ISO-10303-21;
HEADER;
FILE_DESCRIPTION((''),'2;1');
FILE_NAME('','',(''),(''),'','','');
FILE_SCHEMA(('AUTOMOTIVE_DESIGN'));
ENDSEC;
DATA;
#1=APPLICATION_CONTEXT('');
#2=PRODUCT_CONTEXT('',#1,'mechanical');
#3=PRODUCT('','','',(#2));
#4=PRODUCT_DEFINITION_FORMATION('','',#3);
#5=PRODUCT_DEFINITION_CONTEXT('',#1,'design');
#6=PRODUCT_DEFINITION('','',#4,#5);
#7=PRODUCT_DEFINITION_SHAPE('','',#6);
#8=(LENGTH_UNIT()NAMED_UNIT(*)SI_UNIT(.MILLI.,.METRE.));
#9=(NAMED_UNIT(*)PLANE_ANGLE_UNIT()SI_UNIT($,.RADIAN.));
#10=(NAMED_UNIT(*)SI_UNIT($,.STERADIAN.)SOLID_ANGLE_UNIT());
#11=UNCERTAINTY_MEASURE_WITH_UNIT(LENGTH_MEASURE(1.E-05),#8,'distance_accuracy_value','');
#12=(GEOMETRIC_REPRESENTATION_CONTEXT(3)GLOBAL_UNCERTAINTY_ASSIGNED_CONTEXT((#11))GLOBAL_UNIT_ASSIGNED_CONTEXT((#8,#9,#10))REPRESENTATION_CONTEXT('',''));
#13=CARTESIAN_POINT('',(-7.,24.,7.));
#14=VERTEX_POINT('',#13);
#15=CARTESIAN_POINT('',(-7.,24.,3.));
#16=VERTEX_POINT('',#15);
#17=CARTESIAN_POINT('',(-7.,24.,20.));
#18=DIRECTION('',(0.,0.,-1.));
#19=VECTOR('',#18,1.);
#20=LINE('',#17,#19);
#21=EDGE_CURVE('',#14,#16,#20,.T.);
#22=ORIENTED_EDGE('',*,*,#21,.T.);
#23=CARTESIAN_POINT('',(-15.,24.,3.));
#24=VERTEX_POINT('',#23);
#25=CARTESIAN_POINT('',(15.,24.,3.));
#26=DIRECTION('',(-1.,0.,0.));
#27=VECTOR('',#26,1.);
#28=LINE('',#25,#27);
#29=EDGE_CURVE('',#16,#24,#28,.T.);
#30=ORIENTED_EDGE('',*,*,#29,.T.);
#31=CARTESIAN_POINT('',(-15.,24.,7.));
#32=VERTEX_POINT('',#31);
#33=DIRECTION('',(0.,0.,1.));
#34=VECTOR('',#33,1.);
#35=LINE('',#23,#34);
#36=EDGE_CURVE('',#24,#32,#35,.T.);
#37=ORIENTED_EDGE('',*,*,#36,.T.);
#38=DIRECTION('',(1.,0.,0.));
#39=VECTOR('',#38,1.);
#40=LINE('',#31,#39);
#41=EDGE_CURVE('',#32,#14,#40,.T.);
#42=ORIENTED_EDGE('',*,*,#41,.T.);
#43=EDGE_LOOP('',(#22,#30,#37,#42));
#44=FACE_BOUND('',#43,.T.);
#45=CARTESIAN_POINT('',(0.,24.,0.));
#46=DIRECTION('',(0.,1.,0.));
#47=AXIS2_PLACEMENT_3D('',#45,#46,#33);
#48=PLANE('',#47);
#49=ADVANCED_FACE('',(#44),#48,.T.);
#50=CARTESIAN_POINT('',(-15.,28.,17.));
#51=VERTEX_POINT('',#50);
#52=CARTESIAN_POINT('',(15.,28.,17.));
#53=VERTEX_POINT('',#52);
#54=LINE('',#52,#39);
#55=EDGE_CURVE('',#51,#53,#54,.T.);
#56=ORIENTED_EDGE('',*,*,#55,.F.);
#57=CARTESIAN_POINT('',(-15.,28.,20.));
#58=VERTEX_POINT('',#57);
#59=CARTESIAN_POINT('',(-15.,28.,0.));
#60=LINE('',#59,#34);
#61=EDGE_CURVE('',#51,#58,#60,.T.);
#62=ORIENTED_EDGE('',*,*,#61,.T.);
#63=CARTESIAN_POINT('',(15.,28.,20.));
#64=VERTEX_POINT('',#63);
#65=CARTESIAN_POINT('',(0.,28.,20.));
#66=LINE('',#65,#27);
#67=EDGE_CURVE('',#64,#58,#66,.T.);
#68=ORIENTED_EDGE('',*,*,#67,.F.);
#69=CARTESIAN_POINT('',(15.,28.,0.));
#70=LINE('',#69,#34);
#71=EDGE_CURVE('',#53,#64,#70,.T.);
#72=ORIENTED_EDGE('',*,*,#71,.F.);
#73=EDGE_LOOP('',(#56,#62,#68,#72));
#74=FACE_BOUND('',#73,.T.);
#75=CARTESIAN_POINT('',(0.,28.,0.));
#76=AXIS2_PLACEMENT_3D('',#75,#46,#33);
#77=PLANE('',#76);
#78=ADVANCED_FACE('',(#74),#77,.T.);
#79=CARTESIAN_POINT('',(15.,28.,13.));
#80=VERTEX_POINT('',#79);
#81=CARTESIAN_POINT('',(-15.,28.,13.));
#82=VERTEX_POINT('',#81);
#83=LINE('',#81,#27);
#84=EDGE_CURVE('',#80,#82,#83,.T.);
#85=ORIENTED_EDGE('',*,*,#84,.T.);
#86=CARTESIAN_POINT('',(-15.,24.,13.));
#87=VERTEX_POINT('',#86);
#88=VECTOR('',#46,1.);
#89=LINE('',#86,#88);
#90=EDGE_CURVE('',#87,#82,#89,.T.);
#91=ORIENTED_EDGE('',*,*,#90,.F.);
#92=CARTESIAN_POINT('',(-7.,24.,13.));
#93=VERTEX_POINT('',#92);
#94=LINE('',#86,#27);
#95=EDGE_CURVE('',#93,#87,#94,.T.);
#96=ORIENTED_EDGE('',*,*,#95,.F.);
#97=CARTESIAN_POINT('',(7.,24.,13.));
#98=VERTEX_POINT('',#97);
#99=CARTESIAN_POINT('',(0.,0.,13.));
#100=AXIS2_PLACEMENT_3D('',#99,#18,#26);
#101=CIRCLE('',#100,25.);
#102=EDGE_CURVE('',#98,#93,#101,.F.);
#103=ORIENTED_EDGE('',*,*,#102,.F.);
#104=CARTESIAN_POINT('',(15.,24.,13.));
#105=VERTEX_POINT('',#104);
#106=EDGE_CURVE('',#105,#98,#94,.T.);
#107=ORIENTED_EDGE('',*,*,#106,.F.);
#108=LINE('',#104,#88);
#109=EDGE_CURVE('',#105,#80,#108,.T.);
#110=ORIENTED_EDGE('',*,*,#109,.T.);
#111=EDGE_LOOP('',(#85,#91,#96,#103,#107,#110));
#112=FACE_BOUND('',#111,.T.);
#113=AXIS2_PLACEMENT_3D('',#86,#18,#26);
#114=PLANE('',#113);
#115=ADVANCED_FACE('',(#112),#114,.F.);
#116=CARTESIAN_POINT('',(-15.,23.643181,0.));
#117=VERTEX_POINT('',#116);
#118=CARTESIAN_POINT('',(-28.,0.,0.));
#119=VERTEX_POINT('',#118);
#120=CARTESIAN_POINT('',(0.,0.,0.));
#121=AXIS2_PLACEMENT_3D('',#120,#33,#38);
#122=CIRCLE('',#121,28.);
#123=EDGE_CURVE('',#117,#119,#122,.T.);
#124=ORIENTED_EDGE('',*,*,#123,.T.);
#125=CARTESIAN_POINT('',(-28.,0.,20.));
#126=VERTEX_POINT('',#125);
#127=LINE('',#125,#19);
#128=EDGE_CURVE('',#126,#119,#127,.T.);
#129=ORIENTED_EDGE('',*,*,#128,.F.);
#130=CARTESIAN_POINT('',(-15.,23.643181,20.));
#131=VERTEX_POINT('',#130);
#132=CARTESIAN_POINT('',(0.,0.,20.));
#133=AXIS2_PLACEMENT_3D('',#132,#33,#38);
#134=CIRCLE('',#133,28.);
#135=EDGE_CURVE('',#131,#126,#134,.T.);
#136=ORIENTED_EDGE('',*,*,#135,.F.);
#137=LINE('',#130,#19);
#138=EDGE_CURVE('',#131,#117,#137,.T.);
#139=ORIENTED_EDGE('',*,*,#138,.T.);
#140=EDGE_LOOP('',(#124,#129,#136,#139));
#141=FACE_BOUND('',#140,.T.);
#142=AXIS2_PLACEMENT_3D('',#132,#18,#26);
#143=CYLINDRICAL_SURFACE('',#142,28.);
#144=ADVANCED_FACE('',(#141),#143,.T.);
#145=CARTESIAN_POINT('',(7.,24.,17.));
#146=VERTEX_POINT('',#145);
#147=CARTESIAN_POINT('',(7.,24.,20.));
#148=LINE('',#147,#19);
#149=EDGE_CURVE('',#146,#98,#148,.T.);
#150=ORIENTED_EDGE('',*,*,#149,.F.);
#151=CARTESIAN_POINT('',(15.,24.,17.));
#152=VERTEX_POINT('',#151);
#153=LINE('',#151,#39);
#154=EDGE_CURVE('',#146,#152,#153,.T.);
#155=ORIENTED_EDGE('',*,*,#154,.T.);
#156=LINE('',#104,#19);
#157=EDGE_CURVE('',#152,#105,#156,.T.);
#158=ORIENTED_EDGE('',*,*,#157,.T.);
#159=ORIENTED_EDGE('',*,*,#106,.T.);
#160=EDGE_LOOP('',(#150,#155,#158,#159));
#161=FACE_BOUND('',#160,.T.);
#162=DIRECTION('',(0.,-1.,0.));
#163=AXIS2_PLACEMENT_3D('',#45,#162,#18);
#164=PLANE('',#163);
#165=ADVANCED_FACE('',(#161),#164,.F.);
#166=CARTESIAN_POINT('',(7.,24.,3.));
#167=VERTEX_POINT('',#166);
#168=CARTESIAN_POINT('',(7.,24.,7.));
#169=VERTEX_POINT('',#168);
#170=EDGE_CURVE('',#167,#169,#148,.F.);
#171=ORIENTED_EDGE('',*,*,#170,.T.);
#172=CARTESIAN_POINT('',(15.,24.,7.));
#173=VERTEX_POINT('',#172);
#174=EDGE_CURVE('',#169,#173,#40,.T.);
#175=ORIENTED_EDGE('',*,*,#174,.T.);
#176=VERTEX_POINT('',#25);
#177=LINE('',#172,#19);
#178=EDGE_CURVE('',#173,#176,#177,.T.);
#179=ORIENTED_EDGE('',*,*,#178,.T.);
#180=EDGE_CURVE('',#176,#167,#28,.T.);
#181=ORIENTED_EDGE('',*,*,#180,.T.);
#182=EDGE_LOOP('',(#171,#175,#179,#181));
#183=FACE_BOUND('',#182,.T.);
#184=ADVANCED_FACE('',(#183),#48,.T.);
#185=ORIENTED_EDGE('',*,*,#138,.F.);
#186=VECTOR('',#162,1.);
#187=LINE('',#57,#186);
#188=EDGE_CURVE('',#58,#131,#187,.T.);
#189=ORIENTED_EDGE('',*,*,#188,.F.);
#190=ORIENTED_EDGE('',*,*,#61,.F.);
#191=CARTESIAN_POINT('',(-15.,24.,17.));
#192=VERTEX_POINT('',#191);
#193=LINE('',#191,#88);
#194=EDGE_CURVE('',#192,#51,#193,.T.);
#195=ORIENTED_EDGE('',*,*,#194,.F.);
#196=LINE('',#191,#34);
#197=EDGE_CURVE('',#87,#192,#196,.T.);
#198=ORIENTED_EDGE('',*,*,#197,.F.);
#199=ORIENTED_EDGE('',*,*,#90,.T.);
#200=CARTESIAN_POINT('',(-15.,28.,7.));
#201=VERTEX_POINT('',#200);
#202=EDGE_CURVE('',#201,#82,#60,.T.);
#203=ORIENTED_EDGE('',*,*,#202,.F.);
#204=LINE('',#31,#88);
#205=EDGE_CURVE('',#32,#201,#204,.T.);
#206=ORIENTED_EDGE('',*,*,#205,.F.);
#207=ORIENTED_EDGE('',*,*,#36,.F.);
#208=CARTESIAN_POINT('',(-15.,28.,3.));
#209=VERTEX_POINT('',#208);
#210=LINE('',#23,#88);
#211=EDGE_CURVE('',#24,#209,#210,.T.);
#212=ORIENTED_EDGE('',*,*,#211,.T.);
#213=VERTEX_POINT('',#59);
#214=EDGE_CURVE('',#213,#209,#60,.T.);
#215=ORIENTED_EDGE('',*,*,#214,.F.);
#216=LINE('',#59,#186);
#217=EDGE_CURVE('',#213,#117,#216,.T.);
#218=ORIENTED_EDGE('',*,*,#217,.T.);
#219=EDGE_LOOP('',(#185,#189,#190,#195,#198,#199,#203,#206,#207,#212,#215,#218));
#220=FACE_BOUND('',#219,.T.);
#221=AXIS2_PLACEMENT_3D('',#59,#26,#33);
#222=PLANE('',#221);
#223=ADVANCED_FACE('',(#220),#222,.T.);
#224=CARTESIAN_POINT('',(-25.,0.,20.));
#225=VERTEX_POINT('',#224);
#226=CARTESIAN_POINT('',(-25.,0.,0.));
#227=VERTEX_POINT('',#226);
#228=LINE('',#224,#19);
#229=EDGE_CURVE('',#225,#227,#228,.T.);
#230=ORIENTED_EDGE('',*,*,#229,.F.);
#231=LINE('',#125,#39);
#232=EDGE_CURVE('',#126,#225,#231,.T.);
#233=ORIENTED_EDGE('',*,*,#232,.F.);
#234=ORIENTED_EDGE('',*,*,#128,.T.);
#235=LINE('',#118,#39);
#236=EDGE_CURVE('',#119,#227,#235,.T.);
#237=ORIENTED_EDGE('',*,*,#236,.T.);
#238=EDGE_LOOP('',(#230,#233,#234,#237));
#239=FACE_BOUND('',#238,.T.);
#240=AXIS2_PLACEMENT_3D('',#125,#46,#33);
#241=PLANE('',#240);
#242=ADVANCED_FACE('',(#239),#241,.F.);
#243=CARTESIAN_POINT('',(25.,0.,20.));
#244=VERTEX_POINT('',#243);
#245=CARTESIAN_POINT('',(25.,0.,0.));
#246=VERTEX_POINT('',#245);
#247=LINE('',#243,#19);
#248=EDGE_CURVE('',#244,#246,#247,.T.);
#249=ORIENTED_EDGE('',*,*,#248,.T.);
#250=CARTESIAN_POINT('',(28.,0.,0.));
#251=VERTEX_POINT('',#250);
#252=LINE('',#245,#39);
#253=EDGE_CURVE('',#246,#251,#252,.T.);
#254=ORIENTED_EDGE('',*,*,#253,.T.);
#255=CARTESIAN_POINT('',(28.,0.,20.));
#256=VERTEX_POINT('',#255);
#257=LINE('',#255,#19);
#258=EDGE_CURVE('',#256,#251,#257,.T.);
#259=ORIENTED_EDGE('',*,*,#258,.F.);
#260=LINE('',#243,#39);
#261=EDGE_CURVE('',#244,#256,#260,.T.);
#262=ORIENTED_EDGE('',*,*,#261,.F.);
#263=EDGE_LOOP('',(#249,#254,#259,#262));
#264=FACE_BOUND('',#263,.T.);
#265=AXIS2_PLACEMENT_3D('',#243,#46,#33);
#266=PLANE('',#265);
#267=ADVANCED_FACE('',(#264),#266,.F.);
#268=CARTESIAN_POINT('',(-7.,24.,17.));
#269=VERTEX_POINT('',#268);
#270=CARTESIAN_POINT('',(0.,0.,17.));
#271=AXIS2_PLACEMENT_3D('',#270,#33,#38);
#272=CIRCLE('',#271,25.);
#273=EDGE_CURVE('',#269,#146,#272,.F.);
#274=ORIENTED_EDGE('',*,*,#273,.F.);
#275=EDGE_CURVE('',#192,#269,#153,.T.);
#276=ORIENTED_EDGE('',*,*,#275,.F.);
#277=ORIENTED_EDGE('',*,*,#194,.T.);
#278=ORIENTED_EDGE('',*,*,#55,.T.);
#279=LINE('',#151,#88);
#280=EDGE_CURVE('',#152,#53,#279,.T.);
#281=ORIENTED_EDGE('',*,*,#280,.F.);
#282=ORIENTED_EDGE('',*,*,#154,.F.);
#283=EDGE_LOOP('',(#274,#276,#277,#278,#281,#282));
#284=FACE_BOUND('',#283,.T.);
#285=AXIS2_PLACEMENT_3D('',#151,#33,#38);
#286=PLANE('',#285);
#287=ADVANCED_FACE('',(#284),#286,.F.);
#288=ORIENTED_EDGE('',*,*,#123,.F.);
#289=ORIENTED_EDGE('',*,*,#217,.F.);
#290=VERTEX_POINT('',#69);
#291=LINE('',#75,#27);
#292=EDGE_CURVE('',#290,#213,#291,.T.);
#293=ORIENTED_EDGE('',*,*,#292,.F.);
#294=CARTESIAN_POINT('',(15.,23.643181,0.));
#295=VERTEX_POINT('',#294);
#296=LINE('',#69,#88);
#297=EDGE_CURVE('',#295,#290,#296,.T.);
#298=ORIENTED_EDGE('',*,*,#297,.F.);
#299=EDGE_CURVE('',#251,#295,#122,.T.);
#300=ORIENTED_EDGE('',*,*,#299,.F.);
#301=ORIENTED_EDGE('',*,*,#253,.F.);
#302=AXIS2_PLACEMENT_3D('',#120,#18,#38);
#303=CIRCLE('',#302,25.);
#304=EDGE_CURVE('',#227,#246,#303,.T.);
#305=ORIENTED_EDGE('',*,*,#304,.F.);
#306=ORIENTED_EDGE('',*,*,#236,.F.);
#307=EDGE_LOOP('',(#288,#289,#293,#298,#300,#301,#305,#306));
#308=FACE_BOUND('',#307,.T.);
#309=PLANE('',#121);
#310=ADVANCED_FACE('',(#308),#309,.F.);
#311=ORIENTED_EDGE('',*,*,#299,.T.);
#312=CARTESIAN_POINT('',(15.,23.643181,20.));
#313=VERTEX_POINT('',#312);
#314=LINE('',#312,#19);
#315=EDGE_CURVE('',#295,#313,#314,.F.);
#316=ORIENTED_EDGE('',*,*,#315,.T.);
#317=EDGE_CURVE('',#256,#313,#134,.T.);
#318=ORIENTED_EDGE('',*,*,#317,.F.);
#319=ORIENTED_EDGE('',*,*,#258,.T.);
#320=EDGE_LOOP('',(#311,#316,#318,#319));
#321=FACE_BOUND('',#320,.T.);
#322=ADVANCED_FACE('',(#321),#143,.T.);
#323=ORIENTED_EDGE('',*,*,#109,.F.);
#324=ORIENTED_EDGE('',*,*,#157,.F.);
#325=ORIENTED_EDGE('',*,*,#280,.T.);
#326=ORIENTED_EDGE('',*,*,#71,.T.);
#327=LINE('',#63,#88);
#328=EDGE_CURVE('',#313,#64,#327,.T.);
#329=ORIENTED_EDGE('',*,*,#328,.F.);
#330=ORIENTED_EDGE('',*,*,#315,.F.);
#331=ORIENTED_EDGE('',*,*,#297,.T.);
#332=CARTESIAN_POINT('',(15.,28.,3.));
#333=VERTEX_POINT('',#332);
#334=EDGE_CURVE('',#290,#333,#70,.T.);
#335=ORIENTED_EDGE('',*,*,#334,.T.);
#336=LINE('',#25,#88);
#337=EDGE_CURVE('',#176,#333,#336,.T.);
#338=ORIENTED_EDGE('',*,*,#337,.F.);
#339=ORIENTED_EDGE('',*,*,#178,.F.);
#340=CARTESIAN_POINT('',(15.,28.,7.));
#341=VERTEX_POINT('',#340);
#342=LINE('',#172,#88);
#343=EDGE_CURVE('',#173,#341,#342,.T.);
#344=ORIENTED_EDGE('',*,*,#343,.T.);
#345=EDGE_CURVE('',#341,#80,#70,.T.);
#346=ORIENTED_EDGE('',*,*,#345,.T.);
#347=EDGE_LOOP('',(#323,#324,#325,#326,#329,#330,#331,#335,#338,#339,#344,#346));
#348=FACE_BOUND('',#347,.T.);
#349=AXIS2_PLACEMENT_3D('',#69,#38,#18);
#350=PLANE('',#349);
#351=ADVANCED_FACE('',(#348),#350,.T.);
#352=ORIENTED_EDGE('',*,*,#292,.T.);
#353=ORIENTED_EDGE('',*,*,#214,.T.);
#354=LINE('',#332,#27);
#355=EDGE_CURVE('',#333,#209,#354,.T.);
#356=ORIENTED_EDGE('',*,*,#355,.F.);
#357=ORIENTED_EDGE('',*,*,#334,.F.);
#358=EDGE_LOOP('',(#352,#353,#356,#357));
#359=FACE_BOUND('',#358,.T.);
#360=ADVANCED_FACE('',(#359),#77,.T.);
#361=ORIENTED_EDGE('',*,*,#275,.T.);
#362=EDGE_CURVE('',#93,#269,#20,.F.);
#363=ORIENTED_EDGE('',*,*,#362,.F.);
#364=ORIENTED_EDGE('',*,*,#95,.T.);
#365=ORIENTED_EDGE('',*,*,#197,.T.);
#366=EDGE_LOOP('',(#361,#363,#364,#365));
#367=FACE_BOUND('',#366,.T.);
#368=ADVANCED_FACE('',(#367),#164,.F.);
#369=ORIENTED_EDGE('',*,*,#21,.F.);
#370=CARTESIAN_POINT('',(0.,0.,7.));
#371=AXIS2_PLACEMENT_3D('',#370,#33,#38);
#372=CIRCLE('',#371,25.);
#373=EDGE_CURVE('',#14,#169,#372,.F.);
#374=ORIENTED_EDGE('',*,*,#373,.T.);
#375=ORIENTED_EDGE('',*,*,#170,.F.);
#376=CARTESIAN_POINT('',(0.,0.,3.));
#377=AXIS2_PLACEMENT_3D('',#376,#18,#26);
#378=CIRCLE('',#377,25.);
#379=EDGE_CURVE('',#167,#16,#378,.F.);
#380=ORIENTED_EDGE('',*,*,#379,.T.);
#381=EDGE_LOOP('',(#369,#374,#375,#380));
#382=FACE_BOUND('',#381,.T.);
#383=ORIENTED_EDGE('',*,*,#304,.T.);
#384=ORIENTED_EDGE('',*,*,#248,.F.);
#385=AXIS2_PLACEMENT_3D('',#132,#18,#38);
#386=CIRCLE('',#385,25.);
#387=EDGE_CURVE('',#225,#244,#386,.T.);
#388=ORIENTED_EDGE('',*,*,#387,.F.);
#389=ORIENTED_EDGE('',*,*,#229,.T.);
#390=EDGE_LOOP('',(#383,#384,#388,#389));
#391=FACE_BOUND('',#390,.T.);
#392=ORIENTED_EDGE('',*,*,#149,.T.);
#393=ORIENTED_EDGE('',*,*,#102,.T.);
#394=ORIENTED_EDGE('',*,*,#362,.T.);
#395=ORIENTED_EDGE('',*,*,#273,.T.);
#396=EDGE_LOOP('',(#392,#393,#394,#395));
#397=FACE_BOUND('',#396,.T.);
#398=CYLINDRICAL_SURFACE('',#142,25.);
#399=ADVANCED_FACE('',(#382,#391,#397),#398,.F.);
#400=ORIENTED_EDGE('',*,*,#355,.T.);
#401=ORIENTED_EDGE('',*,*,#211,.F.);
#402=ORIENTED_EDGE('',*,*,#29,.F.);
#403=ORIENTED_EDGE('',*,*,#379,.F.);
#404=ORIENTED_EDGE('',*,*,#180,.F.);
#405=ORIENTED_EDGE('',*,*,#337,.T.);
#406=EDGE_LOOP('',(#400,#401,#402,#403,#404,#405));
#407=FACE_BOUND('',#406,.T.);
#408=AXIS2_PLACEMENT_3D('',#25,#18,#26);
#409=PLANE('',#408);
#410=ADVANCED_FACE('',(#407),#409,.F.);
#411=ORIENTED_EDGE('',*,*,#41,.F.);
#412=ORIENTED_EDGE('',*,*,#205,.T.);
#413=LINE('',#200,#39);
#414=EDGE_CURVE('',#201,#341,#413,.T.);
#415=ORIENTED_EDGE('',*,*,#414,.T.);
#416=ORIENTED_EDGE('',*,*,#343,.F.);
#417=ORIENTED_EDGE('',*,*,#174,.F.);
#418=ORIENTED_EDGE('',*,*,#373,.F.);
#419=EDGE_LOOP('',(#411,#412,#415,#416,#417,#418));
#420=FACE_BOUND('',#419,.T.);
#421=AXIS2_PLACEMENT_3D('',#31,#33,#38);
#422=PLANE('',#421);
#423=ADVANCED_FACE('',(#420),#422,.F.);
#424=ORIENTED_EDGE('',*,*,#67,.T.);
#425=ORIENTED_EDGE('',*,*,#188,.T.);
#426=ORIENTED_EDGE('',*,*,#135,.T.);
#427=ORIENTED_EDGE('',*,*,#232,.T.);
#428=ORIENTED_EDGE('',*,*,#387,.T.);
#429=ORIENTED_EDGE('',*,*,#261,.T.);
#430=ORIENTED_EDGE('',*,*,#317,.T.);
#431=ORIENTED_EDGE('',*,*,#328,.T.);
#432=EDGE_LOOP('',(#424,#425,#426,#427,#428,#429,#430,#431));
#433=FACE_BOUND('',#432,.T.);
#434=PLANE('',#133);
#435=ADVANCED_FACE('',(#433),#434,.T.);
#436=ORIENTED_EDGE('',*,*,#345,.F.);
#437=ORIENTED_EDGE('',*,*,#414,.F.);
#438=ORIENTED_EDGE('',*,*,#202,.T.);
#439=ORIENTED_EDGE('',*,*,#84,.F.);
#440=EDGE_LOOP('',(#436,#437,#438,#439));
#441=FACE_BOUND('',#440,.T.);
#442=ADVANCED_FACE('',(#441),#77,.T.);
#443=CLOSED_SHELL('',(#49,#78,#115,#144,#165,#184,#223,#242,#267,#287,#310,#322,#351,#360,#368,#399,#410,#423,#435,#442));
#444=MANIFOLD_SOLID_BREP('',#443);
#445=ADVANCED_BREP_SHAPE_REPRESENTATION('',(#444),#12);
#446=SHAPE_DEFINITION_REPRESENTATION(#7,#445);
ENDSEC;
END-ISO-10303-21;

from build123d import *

# Parameters (mm, degrees)
SALIENTE_EXTRUIR1_DEPTH = 20
SALIENTE_EXTRUIR2_DEPTH = 20
CROQUIS3_W              = 30
CROQUIS3_H              = 4
CORTAR_EXTRUIR1_DEPTH   = 4


with BuildPart() as part:
    # Croquis1 → Saliente-Extruir1 (new body)
    with BuildSketch(Plane.XY):
        with BuildLine():
            Line((-28, 0), (-25, 0))
            ThreePointArc((-25, 0), (0, 25), (25, 0))
            Line((25, 0), (28, 0))
            ThreePointArc((28, 0), (0, 28), (-28, 0))
        make_face()
    extrude(amount=SALIENTE_EXTRUIR1_DEPTH)

    # Croquis2 → Saliente-Extruir2 (add)
    with BuildSketch(Plane.XY.offset(20)):
        Polygon((0, 28), (15, 28), (15, 22.565689598), (0, 26.315842258), (-15, 21.969074402), (-15, 28), align=None)
    extrude(amount=-SALIENTE_EXTRUIR2_DEPTH)

    # Croquis3 → Cortar-Extruir1 (cut)
    with BuildSketch(Plane(origin=(0, 28, 0), x_dir=(1, 0, 0), z_dir=(0, 1, 0))):
        with Locations((0, -15)):
            Rectangle(CROQUIS3_W, CROQUIS3_H)
        with Locations((0, -5)):
            Rectangle(CROQUIS3_W, CROQUIS3_H)
    extrude(amount=-CORTAR_EXTRUIR1_DEPTH, mode=Mode.SUBTRACT)


solid = part.part
